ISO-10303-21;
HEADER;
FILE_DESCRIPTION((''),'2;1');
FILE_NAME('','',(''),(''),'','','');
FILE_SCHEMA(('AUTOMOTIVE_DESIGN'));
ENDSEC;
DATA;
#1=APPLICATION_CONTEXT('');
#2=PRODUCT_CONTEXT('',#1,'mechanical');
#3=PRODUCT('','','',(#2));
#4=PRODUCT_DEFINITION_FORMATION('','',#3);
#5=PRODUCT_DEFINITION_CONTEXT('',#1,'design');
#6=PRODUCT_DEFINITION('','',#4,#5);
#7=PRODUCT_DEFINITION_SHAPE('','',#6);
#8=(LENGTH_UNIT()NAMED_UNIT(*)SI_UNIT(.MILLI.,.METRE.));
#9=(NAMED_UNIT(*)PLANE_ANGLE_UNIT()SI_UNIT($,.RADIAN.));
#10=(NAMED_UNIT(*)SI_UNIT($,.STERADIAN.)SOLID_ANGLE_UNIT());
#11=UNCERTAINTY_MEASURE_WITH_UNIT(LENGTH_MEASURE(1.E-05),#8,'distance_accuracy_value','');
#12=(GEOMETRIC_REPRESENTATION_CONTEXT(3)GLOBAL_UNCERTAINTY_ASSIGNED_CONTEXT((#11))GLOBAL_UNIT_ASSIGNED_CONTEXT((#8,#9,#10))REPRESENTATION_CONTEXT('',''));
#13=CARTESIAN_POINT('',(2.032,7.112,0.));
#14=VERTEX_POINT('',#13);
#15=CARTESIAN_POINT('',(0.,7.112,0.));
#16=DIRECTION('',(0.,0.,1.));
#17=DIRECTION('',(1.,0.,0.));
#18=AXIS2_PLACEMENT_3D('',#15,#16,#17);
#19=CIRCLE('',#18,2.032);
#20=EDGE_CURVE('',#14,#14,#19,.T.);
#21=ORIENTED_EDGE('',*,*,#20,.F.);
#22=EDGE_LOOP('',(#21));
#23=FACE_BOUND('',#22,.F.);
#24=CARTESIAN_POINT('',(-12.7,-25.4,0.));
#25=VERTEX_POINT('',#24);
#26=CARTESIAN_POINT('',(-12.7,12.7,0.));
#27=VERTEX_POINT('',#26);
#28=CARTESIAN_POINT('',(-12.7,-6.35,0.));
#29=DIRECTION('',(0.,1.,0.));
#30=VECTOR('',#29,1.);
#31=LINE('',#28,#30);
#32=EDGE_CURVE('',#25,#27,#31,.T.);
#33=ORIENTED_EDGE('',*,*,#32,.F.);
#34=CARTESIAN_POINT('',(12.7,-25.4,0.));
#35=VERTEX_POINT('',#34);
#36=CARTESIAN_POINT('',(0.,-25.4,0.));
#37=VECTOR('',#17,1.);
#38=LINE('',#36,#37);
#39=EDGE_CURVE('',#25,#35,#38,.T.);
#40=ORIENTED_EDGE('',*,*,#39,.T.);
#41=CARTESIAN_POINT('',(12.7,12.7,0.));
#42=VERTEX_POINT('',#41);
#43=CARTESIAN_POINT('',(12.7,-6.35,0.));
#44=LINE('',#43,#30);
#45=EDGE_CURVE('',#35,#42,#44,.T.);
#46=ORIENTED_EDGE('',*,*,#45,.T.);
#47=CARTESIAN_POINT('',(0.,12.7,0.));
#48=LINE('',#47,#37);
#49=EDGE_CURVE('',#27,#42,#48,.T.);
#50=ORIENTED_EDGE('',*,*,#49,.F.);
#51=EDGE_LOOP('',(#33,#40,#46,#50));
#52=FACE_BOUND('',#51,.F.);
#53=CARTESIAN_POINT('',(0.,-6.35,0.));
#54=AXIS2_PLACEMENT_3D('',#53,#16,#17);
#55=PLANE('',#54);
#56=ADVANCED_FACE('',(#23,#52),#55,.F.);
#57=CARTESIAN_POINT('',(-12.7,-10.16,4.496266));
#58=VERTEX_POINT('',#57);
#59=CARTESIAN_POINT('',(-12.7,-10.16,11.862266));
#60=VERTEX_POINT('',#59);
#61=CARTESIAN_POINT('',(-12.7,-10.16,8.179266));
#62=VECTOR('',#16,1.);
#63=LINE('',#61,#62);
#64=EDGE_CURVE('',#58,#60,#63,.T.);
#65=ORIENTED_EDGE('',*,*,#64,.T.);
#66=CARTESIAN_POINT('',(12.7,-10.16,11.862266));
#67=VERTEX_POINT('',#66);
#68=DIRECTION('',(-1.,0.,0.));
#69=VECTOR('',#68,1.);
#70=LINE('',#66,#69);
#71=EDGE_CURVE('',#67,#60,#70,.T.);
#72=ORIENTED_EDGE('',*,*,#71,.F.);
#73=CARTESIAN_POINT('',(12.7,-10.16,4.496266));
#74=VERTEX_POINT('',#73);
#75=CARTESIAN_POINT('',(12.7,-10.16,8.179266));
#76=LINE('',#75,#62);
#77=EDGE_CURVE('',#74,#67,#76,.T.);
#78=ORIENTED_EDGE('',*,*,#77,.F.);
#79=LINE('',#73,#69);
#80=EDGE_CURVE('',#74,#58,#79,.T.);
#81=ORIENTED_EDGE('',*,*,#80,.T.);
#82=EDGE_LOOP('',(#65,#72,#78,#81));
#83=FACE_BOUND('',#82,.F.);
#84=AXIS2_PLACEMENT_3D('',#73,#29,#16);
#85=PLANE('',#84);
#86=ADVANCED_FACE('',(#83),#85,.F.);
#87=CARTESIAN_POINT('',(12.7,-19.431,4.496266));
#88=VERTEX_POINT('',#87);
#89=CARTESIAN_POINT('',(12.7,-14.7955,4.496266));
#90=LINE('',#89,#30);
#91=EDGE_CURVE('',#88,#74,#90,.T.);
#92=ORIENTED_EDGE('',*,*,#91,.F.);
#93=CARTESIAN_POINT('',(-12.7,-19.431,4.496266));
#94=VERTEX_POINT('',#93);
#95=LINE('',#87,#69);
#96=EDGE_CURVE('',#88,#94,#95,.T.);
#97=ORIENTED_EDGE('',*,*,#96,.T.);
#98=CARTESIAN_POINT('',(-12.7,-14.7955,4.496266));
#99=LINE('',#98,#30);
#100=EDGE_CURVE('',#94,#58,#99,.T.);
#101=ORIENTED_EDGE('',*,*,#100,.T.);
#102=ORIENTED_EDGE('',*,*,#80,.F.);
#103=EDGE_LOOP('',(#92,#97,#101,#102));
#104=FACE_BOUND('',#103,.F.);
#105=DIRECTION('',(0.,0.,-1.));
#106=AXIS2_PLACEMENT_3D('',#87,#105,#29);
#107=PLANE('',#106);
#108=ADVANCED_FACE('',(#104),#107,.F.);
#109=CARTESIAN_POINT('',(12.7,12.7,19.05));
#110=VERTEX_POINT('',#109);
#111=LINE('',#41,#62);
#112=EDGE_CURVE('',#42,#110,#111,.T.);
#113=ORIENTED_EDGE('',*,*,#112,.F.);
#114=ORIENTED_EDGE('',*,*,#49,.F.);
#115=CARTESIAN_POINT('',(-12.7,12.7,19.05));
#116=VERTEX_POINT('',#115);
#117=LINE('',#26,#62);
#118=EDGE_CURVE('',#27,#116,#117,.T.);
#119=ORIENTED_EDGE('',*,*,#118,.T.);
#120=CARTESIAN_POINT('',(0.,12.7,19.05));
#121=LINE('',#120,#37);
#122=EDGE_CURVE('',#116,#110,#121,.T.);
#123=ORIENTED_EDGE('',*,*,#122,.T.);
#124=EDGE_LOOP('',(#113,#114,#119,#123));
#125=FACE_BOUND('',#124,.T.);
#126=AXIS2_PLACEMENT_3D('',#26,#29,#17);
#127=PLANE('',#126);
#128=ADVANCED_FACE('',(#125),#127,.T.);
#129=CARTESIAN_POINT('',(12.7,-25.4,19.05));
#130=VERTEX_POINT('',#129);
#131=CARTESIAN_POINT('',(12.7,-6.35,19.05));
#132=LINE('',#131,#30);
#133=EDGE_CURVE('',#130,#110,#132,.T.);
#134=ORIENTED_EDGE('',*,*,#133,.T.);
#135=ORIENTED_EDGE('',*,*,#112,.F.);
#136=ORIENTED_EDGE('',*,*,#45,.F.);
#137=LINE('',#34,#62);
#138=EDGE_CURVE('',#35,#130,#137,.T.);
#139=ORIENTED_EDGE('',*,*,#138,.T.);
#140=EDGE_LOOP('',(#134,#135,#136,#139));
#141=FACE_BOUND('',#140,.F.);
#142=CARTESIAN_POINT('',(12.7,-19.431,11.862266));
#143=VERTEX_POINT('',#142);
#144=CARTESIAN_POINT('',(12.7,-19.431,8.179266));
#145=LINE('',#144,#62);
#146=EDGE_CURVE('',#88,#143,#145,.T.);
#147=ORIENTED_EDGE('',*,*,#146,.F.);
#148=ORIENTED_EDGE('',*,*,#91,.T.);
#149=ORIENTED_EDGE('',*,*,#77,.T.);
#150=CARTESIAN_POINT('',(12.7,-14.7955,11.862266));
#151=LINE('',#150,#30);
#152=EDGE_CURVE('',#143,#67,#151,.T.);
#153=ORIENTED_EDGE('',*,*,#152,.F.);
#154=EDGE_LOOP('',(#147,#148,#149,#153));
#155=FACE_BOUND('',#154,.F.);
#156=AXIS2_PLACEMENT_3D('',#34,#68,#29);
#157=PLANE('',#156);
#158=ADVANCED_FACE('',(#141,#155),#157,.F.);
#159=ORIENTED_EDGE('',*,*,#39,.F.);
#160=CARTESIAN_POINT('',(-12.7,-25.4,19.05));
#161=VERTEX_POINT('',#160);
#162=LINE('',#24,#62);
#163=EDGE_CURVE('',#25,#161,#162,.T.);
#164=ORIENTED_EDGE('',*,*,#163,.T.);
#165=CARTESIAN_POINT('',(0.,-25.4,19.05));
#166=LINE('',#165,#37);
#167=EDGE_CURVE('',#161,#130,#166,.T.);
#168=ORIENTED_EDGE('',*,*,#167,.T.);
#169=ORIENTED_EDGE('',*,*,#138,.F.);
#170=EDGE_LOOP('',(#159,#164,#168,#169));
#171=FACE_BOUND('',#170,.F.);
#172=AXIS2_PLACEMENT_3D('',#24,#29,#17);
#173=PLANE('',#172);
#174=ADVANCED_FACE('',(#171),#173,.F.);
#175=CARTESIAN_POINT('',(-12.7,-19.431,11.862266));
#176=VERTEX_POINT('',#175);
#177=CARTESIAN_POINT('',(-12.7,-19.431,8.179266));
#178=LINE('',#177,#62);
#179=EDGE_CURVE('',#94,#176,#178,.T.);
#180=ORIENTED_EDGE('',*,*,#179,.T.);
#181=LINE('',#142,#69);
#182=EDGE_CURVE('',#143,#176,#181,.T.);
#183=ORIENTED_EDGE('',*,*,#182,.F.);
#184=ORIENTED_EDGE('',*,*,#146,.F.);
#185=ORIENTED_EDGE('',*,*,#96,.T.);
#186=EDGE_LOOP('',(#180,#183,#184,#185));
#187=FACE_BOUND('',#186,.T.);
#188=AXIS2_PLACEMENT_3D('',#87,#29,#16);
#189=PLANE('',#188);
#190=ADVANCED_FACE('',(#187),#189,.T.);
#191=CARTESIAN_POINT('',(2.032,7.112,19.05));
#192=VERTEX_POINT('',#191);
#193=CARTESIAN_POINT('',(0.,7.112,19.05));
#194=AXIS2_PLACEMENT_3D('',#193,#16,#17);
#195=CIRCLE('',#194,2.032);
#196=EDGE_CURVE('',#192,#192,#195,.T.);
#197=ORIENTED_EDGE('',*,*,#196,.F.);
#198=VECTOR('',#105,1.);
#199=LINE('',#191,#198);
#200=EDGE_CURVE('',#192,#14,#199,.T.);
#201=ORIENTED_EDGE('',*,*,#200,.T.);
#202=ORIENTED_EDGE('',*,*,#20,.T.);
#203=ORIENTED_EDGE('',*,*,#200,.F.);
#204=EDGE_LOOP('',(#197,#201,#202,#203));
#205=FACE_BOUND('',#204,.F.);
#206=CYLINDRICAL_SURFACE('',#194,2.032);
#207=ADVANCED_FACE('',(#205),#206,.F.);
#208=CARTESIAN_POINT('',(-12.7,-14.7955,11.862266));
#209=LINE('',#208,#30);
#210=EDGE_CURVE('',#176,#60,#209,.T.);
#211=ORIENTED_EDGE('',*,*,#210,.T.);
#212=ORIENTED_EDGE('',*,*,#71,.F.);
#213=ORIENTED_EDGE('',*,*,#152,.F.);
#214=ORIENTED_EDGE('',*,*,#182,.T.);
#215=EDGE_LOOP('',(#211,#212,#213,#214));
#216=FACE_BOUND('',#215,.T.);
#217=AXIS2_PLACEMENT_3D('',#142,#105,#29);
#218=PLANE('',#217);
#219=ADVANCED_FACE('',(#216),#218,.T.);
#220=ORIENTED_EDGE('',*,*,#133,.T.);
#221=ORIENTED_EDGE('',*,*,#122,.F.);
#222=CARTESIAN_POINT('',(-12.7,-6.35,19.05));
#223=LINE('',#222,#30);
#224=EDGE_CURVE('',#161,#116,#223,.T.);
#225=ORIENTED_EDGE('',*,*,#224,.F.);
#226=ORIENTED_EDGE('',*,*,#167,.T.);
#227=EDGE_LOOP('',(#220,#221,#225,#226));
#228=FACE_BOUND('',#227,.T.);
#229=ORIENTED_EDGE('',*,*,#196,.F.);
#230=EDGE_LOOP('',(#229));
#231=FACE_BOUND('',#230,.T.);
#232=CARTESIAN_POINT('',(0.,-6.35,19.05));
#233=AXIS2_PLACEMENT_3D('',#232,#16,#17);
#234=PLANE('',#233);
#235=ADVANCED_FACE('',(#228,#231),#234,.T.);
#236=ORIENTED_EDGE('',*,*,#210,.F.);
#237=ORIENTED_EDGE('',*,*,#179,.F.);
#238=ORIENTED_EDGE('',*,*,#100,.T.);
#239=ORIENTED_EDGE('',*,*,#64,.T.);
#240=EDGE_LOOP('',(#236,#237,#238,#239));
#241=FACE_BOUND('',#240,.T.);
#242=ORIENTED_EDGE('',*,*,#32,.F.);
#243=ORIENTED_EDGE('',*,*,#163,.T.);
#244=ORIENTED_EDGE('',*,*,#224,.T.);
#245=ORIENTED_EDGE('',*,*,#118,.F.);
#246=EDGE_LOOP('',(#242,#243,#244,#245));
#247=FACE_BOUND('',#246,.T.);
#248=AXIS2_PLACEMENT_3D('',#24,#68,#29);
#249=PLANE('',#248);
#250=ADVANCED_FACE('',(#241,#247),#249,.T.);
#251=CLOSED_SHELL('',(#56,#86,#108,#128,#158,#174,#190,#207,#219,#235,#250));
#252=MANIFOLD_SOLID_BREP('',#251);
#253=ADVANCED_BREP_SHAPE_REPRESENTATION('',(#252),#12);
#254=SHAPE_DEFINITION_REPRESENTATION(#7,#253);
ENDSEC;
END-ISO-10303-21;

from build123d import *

# Parameters (mm, degrees)
F0_W     = 25.4
F0_H     = 38.1
F1_DEPTH = 19.05
F2_R     = 2.032
F3_DEPTH = 25.4
F4_W     = 9.271
F4_H     = 7.366
F5_DEPTH = 25.4


with BuildPart() as f1:
    # F0 (on Top) → F1 (new body)
    with BuildSketch(Plane.XY):
        with Locations((0, -6.35)):
            Rectangle(F0_W, F0_H)
    extrude(amount=F1_DEPTH)

    # F2 (on face) → F3 (cut)
    with BuildSketch(Plane.XY.offset(19.05)):
        with Locations((0, 7.112)):
            Circle(F2_R)
    extrude(amount=-F3_DEPTH, mode=Mode.SUBTRACT)

    # F4 (on face) → F5 (cut)
    with BuildSketch(Plane.YZ.offset(12.7)):
        with Locations((-14.7955, 8.179266)):
            Rectangle(F4_W, F4_H)
    extrude(amount=-F5_DEPTH, mode=Mode.SUBTRACT)


solid = f1.part
